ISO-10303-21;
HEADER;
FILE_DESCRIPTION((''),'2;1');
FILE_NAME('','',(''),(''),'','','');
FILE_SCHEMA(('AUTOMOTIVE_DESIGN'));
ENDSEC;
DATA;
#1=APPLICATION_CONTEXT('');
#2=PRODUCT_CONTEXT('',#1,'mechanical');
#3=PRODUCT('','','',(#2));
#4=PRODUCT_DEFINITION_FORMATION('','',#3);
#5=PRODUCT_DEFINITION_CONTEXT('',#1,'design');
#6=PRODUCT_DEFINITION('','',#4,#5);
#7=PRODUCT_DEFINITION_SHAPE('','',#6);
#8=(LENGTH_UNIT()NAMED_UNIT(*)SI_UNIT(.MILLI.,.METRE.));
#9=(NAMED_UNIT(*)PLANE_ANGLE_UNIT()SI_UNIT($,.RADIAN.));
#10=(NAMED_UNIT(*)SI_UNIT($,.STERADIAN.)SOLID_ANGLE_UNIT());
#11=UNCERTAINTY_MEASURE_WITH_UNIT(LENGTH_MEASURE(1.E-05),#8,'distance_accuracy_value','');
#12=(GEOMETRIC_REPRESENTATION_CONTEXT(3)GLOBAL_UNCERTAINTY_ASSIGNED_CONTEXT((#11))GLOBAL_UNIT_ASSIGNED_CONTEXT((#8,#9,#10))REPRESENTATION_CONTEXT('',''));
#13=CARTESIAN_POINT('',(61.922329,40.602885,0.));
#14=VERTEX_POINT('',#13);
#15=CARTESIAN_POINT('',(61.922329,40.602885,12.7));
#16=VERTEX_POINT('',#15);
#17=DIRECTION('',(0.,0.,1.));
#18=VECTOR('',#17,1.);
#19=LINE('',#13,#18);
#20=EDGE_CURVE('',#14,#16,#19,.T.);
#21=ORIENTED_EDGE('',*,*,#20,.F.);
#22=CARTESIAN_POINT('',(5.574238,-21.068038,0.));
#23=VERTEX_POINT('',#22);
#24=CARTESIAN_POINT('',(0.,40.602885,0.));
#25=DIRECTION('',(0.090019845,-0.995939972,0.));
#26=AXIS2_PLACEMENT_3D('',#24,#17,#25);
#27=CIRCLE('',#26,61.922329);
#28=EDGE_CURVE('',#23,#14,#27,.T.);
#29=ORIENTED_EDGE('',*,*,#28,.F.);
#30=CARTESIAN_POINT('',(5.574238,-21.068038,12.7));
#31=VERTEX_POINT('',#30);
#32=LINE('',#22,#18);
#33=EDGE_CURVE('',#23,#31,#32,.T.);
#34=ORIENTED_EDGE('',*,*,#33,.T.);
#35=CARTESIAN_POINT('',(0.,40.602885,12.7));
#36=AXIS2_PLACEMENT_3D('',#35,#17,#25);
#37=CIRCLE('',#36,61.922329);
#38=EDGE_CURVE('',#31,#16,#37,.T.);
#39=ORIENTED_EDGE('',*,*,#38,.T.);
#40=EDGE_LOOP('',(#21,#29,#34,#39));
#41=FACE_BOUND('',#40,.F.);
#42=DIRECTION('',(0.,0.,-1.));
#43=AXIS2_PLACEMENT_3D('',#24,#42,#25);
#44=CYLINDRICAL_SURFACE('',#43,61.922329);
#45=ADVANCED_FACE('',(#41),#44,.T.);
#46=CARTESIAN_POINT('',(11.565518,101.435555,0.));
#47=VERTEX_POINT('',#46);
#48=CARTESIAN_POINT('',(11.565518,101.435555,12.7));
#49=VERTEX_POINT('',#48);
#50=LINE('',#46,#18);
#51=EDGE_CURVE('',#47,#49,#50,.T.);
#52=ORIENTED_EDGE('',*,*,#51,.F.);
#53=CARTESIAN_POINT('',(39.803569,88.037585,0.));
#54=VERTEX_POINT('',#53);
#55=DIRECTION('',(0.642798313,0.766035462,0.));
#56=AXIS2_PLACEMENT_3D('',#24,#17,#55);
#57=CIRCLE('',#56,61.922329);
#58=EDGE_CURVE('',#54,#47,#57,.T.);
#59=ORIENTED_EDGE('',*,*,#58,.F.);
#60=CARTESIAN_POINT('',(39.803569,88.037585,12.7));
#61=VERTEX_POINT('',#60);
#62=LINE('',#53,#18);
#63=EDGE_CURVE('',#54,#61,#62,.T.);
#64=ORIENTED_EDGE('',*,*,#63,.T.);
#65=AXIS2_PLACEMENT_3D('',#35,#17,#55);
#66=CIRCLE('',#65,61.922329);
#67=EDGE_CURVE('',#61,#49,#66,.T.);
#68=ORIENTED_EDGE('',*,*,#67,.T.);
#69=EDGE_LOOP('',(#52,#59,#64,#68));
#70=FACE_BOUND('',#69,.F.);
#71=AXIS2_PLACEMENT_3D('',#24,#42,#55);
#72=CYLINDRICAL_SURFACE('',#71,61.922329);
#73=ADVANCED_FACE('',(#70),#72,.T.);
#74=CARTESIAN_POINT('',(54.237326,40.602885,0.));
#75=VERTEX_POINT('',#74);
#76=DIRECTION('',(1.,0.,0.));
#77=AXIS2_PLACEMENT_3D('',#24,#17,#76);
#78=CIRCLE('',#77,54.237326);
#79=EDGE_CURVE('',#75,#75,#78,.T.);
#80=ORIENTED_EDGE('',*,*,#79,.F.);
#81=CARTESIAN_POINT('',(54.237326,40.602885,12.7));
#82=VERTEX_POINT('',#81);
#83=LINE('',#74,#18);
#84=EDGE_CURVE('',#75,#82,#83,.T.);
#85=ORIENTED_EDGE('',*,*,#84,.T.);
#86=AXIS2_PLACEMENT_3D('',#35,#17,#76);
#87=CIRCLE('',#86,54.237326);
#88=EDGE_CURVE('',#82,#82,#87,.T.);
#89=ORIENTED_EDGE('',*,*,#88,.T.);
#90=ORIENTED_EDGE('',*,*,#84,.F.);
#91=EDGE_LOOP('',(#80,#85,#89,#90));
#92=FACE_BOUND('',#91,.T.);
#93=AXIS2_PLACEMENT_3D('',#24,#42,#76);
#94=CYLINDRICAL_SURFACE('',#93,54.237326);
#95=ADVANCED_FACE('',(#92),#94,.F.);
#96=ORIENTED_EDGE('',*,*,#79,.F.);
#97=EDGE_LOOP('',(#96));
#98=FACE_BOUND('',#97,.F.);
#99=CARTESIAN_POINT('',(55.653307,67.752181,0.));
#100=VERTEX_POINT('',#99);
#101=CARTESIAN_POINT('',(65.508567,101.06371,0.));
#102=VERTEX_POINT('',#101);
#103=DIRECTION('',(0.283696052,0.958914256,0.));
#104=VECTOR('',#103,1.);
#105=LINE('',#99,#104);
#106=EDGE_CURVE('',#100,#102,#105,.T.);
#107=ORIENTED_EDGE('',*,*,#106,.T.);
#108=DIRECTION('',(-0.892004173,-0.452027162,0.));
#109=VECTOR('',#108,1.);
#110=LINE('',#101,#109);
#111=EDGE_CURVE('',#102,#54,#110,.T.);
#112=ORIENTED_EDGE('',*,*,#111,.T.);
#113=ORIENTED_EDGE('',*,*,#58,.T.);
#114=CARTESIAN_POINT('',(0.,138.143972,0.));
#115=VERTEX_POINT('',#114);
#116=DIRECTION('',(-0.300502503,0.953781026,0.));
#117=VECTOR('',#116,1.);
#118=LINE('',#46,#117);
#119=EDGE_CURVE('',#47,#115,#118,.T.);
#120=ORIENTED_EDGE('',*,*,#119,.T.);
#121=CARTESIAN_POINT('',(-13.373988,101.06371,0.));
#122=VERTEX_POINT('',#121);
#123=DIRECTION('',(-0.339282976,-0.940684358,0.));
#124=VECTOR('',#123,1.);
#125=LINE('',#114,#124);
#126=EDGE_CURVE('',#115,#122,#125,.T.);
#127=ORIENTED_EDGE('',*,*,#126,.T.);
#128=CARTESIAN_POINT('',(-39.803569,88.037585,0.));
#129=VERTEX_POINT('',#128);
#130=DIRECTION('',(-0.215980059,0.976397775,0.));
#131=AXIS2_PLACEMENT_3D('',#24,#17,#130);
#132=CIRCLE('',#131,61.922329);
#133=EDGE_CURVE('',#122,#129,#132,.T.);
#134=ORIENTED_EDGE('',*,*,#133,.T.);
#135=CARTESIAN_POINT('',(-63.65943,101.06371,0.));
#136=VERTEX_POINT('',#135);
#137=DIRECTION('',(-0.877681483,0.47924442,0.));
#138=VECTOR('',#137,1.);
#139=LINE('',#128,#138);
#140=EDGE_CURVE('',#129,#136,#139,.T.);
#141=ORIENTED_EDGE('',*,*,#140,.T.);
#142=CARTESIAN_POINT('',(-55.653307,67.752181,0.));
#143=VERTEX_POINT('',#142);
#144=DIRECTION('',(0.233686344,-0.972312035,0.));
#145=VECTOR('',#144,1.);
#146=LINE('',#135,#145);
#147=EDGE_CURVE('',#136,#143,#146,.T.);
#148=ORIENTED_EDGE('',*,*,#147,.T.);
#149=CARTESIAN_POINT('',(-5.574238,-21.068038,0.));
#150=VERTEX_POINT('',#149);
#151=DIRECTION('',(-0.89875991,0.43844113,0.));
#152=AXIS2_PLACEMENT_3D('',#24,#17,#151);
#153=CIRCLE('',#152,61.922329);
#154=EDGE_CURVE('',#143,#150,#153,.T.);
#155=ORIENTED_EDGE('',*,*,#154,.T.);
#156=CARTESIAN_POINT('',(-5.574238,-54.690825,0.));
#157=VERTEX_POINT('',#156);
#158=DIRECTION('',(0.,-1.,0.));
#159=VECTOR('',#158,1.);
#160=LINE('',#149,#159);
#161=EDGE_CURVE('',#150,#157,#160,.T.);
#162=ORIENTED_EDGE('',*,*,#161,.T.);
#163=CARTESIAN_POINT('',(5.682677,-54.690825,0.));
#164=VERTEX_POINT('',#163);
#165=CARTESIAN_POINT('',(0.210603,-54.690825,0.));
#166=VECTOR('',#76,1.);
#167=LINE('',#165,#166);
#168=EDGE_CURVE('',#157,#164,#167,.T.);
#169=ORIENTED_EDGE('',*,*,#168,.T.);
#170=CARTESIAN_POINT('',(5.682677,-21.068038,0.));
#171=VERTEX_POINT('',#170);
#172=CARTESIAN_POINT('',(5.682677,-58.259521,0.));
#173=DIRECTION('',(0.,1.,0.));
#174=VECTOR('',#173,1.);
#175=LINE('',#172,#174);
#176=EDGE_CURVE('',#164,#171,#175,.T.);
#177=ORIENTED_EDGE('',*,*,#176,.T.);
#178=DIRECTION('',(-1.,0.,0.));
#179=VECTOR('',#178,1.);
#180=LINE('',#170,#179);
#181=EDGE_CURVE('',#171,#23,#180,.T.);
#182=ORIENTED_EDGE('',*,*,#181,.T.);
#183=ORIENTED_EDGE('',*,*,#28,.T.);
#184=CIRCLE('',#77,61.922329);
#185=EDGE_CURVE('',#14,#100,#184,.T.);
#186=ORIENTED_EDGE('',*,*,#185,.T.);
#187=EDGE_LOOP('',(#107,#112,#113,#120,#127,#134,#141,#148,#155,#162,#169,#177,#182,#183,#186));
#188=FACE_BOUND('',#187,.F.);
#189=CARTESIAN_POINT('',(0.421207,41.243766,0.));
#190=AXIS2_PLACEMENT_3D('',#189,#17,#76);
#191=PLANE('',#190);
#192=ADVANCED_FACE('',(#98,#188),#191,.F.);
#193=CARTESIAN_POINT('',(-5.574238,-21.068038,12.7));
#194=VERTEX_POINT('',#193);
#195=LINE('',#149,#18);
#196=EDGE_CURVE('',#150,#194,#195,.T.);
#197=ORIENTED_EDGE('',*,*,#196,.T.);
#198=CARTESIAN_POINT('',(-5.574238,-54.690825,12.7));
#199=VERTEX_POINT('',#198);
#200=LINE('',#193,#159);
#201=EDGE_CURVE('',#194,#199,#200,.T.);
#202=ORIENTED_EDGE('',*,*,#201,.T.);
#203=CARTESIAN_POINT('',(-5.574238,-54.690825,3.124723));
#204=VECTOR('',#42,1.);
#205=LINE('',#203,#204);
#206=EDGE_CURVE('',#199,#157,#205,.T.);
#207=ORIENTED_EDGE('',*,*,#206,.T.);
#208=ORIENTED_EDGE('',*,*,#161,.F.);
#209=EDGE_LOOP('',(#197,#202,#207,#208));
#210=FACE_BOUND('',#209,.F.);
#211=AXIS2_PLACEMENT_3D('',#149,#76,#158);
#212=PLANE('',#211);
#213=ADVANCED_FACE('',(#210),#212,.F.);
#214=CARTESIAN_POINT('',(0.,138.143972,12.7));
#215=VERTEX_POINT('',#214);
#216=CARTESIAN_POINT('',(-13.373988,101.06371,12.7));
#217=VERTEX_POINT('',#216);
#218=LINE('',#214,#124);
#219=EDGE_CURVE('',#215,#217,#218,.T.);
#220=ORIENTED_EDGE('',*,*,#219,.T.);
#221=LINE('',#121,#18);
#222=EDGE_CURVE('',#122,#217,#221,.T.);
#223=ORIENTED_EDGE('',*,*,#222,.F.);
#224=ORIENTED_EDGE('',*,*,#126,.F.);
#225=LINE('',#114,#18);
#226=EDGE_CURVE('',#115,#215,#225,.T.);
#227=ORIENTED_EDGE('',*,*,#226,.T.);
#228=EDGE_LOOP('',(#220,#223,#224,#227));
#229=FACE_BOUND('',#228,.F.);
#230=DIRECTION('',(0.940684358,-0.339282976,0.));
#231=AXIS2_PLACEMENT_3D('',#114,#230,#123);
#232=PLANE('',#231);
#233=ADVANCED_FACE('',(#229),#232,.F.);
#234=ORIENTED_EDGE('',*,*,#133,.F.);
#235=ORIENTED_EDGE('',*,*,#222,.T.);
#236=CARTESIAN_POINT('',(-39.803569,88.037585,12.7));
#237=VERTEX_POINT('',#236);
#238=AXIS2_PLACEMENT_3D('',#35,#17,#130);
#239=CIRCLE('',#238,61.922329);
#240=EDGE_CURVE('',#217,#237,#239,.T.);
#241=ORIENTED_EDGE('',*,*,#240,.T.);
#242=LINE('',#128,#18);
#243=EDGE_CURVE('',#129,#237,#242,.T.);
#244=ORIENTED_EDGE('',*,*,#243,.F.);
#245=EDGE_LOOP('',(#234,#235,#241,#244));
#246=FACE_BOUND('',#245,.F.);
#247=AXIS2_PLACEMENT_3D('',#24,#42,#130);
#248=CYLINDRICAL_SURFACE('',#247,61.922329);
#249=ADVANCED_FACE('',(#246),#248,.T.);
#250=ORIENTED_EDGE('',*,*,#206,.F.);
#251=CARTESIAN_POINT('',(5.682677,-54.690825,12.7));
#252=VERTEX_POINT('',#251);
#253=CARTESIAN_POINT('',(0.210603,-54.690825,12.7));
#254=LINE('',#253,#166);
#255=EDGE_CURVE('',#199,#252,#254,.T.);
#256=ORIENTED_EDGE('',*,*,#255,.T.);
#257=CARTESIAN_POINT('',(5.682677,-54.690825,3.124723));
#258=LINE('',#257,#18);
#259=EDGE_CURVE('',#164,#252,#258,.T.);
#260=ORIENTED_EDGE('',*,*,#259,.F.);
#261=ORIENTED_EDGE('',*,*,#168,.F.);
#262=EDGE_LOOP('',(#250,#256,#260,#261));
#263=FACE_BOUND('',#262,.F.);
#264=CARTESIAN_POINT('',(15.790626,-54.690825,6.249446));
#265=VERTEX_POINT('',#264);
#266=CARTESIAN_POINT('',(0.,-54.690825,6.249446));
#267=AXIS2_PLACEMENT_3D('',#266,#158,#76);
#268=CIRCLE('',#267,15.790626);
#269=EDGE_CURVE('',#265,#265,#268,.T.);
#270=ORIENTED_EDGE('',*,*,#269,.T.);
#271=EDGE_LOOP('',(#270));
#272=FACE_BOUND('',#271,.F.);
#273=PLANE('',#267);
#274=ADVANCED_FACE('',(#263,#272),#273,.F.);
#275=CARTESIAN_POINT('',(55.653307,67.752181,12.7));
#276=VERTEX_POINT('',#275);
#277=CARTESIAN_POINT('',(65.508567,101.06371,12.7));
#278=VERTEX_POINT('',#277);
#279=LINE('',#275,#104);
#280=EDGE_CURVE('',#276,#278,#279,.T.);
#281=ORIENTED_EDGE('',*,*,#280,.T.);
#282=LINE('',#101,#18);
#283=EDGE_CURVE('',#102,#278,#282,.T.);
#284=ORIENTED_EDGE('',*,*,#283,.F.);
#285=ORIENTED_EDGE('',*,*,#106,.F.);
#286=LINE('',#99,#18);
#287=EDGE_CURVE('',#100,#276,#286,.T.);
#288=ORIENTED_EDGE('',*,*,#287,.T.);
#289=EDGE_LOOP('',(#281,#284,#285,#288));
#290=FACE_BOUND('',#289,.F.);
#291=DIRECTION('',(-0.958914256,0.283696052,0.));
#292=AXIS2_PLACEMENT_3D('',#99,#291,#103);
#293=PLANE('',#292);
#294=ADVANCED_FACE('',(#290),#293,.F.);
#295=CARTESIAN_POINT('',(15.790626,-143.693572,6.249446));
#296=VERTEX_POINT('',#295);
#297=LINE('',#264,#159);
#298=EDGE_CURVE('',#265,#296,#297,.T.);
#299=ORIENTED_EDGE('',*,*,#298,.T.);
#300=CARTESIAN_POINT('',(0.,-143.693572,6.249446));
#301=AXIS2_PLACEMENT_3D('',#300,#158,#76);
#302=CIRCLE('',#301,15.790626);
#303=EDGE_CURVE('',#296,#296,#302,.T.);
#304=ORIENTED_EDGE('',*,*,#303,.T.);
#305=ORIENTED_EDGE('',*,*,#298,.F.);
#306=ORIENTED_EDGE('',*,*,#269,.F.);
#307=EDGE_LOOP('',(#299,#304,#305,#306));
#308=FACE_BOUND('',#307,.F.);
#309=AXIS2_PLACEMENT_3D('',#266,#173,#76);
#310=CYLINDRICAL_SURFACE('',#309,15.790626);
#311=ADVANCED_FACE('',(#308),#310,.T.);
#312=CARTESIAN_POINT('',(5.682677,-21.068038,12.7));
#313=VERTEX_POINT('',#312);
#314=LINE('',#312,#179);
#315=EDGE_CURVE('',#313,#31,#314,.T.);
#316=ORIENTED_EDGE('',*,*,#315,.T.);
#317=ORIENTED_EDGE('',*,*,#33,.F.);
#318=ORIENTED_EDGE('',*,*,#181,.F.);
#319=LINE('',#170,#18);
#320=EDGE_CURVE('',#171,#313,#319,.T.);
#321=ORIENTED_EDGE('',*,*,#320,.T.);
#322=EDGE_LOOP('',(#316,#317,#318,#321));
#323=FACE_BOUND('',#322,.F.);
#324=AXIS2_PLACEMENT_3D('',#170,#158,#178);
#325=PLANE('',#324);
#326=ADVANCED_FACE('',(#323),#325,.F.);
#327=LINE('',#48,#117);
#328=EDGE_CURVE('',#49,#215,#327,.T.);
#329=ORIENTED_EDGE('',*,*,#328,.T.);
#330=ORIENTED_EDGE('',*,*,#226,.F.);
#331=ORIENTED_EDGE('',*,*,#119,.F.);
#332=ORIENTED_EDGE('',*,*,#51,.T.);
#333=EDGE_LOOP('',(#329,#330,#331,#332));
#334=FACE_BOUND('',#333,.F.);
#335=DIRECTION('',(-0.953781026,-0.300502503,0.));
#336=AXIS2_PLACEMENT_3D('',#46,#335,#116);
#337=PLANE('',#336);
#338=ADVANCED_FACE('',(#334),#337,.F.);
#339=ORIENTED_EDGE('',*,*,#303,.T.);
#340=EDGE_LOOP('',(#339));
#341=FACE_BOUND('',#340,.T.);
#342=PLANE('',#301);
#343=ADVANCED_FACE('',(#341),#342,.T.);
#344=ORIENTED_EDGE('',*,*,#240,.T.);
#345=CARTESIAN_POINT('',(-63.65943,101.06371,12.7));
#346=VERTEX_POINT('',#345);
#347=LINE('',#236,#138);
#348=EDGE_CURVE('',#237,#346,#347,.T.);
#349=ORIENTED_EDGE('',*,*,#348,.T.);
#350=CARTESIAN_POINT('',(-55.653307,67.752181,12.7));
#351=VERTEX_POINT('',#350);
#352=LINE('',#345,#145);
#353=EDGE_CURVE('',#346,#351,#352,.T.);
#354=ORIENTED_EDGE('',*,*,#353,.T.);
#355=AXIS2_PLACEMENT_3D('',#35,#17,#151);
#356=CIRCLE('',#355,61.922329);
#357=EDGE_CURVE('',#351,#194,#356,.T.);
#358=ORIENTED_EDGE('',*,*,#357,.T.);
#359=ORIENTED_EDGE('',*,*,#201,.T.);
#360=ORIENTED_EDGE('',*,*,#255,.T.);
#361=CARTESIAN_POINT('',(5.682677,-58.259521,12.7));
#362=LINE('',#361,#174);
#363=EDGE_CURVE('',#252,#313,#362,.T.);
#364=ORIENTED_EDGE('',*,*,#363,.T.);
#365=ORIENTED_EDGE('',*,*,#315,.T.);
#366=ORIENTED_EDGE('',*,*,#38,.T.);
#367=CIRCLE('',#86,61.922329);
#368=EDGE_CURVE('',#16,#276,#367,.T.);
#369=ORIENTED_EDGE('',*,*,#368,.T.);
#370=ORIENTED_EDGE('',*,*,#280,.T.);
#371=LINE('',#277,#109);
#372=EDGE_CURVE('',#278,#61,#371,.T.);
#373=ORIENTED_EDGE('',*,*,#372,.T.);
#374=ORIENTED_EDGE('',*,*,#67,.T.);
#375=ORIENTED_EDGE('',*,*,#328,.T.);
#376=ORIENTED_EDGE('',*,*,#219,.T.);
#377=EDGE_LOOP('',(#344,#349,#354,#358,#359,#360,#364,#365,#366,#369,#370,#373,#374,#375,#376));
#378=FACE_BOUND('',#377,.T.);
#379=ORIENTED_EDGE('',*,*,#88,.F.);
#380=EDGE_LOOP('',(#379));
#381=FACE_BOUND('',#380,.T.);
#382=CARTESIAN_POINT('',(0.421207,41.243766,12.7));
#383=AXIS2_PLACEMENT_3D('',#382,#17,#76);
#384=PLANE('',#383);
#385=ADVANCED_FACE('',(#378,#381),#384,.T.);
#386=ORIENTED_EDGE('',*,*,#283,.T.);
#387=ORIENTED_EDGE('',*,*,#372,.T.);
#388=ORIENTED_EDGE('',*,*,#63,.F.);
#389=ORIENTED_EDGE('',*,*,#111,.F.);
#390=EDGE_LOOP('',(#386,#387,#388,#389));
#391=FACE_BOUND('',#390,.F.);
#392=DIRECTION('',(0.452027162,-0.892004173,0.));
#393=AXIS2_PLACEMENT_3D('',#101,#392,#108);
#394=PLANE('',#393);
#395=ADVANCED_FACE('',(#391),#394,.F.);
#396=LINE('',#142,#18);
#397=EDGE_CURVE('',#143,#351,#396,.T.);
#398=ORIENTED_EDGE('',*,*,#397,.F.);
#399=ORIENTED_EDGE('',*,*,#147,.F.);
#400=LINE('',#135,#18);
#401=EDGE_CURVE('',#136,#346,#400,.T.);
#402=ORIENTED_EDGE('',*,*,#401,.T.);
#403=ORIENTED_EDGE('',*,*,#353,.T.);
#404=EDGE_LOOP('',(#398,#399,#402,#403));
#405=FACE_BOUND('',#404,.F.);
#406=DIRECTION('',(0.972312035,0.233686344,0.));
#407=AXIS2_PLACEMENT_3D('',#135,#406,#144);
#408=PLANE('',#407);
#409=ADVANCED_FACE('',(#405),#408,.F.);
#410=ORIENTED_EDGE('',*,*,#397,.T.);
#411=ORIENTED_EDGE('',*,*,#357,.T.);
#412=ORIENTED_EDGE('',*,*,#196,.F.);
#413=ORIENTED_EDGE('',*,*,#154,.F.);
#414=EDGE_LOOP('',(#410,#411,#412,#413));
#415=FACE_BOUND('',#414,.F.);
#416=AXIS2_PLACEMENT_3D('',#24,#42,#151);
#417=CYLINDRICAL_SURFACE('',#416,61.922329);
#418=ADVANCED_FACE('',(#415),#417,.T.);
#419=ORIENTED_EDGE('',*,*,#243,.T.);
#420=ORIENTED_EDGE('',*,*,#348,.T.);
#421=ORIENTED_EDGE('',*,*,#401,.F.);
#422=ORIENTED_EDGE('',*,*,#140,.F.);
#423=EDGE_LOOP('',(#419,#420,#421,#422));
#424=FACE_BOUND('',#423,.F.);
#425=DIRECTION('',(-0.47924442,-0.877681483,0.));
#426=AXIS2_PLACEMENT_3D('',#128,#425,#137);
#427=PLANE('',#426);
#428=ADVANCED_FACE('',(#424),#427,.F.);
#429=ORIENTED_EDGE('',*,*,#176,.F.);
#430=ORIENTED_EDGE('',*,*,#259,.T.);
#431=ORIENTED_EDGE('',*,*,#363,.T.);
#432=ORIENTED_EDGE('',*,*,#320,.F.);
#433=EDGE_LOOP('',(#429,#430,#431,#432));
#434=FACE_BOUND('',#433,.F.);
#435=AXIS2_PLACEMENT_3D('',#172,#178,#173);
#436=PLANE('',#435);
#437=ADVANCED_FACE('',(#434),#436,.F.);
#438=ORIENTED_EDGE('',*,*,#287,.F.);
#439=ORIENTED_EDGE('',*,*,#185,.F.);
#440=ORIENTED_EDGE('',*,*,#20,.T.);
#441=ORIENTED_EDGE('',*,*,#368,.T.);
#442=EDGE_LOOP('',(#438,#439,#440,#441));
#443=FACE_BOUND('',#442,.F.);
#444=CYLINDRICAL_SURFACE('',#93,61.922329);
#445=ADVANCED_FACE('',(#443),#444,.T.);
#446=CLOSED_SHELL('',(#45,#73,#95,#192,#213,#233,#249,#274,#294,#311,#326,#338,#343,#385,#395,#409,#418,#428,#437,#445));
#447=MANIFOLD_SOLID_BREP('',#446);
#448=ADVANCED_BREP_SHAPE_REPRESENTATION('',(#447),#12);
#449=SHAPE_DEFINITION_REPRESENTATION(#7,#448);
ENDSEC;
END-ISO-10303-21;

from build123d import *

# Parameters (mm, degrees)
F0_R     = 54.2373260285
F1_DEPTH = 12.7
F3_START = 54.6908248216
F2_R     = 15.7906260278
F3_DEPTH = 89.0027470887


with BuildPart() as f1:
    # F0 (on Top) → F1 (new body)
    with BuildSketch(Plane.XY):
        with BuildLine():
            ThreePointArc((5.5742384489, -21.0680376267), (45.7140278431, -1.1655540145), (61.9223292112, 40.6028851867))
            ThreePointArc((61.9223292112, 40.6028851867), (60.33472157, 54.5347274197), (55.653307019, 67.7521811772))
            ThreePointArc((55.653307019, 67.7521811772), (48.7942433887, 78.7276365572), (39.8035687607, 88.0375852368))
            ThreePointArc((39.8035687607, 88.0375852368), (26.5437780286, 96.5475248129), (11.5655175366, 101.4355545268))
            ThreePointArc((11.5655175366, 101.4355545268), (-0.9231515567, 102.5183327433), (-13.3739883144, 101.0637096229))
            ThreePointArc((-13.3739883144, 101.0637096229), (-27.3748629814, 96.1455870627), (-39.8035687607, 88.0375852368))
            ThreePointArc((-39.8035687607, 88.0375852368), (-48.7942433887, 78.7276365572), (-55.653307019, 67.7521811772))
            ThreePointArc((-55.653307019, 67.7521811772), (-53.9394187779, 10.190487109), (-5.5742384489, -21.0680376267))
            Line((-5.5742384489, -21.0680376267), (5.5742384489, -21.0680376267))
        make_face()
        with Locations((0, 40.6028851867)):
            Circle(F0_R, mode=Mode.SUBTRACT)
        with BuildLine():
            ThreePointArc((-13.3739883144, 101.0637096229), (-0.9231515567, 102.5183327433), (11.5655175366, 101.4355545268))
            Line((11.5655175366, 101.4355545268), (0, 138.1439715624))
            Line((0, 138.1439715624), (-13.3739883144, 101.0637096229))
        make_face()
        with BuildLine():
            ThreePointArc((39.8035687607, 88.0375852368), (48.7942433887, 78.7276365572), (55.653307019, 67.7521811772))
            Line((55.653307019, 67.7521811772), (65.5085667968, 101.0637096229))
            Line((65.5085667968, 101.0637096229), (39.8035687607, 88.0375852368))
        make_face()
        with BuildLine():
            Line((5.6826770306, -21.0680376267), (5.5742384489, -21.0680376267))
            ThreePointArc((5.5742384489, -21.0680376267), (0, -21.3194440245), (-5.5742384489, -21.0680376267))
            Line((-5.5742384489, -21.0680376267), (-5.5742384489, -58.2595206797))
            Line((-5.5742384489, -58.2595206797), (5.6826770306, -58.2595206797))
            Line((5.6826770306, -58.2595206797), (5.6826770306, -21.0680376267))
        make_face()
        with BuildLine():
            ThreePointArc((-5.5742384489, -21.0680376267), (0, -21.3194440245), (5.5742384489, -21.0680376267))
            Line((5.5742384489, -21.0680376267), (-5.5742384489, -21.0680376267))
        make_face()
        with BuildLine():
            Line((-63.6594295502, 101.0637096229), (-55.653307019, 67.7521811772))
            ThreePointArc((-55.653307019, 67.7521811772), (-48.7942433887, 78.7276365572), (-39.8035687607, 88.0375852368))
            Line((-39.8035687607, 88.0375852368), (-63.6594295502, 101.0637096229))
        make_face()
        Polygon((5.6826770306, -58.2595206797), (-5.5742384489, -58.2595206797), (-13.3375748992, -58.2595206797), (-13.3375748992, -143.073156476), (13.1347030401, -143.073156476), (13.1347030401, -58.2595206797), align=None)
    extrude(amount=F1_DEPTH)

    # F2 (on Front) → F3 (join)
    with BuildSketch(Plane.XZ.offset(F3_START)):
        with Locations((0, 6.2494464219)):
            Circle(F2_R)
    extrude(amount=F3_DEPTH)


solid = f1.part
